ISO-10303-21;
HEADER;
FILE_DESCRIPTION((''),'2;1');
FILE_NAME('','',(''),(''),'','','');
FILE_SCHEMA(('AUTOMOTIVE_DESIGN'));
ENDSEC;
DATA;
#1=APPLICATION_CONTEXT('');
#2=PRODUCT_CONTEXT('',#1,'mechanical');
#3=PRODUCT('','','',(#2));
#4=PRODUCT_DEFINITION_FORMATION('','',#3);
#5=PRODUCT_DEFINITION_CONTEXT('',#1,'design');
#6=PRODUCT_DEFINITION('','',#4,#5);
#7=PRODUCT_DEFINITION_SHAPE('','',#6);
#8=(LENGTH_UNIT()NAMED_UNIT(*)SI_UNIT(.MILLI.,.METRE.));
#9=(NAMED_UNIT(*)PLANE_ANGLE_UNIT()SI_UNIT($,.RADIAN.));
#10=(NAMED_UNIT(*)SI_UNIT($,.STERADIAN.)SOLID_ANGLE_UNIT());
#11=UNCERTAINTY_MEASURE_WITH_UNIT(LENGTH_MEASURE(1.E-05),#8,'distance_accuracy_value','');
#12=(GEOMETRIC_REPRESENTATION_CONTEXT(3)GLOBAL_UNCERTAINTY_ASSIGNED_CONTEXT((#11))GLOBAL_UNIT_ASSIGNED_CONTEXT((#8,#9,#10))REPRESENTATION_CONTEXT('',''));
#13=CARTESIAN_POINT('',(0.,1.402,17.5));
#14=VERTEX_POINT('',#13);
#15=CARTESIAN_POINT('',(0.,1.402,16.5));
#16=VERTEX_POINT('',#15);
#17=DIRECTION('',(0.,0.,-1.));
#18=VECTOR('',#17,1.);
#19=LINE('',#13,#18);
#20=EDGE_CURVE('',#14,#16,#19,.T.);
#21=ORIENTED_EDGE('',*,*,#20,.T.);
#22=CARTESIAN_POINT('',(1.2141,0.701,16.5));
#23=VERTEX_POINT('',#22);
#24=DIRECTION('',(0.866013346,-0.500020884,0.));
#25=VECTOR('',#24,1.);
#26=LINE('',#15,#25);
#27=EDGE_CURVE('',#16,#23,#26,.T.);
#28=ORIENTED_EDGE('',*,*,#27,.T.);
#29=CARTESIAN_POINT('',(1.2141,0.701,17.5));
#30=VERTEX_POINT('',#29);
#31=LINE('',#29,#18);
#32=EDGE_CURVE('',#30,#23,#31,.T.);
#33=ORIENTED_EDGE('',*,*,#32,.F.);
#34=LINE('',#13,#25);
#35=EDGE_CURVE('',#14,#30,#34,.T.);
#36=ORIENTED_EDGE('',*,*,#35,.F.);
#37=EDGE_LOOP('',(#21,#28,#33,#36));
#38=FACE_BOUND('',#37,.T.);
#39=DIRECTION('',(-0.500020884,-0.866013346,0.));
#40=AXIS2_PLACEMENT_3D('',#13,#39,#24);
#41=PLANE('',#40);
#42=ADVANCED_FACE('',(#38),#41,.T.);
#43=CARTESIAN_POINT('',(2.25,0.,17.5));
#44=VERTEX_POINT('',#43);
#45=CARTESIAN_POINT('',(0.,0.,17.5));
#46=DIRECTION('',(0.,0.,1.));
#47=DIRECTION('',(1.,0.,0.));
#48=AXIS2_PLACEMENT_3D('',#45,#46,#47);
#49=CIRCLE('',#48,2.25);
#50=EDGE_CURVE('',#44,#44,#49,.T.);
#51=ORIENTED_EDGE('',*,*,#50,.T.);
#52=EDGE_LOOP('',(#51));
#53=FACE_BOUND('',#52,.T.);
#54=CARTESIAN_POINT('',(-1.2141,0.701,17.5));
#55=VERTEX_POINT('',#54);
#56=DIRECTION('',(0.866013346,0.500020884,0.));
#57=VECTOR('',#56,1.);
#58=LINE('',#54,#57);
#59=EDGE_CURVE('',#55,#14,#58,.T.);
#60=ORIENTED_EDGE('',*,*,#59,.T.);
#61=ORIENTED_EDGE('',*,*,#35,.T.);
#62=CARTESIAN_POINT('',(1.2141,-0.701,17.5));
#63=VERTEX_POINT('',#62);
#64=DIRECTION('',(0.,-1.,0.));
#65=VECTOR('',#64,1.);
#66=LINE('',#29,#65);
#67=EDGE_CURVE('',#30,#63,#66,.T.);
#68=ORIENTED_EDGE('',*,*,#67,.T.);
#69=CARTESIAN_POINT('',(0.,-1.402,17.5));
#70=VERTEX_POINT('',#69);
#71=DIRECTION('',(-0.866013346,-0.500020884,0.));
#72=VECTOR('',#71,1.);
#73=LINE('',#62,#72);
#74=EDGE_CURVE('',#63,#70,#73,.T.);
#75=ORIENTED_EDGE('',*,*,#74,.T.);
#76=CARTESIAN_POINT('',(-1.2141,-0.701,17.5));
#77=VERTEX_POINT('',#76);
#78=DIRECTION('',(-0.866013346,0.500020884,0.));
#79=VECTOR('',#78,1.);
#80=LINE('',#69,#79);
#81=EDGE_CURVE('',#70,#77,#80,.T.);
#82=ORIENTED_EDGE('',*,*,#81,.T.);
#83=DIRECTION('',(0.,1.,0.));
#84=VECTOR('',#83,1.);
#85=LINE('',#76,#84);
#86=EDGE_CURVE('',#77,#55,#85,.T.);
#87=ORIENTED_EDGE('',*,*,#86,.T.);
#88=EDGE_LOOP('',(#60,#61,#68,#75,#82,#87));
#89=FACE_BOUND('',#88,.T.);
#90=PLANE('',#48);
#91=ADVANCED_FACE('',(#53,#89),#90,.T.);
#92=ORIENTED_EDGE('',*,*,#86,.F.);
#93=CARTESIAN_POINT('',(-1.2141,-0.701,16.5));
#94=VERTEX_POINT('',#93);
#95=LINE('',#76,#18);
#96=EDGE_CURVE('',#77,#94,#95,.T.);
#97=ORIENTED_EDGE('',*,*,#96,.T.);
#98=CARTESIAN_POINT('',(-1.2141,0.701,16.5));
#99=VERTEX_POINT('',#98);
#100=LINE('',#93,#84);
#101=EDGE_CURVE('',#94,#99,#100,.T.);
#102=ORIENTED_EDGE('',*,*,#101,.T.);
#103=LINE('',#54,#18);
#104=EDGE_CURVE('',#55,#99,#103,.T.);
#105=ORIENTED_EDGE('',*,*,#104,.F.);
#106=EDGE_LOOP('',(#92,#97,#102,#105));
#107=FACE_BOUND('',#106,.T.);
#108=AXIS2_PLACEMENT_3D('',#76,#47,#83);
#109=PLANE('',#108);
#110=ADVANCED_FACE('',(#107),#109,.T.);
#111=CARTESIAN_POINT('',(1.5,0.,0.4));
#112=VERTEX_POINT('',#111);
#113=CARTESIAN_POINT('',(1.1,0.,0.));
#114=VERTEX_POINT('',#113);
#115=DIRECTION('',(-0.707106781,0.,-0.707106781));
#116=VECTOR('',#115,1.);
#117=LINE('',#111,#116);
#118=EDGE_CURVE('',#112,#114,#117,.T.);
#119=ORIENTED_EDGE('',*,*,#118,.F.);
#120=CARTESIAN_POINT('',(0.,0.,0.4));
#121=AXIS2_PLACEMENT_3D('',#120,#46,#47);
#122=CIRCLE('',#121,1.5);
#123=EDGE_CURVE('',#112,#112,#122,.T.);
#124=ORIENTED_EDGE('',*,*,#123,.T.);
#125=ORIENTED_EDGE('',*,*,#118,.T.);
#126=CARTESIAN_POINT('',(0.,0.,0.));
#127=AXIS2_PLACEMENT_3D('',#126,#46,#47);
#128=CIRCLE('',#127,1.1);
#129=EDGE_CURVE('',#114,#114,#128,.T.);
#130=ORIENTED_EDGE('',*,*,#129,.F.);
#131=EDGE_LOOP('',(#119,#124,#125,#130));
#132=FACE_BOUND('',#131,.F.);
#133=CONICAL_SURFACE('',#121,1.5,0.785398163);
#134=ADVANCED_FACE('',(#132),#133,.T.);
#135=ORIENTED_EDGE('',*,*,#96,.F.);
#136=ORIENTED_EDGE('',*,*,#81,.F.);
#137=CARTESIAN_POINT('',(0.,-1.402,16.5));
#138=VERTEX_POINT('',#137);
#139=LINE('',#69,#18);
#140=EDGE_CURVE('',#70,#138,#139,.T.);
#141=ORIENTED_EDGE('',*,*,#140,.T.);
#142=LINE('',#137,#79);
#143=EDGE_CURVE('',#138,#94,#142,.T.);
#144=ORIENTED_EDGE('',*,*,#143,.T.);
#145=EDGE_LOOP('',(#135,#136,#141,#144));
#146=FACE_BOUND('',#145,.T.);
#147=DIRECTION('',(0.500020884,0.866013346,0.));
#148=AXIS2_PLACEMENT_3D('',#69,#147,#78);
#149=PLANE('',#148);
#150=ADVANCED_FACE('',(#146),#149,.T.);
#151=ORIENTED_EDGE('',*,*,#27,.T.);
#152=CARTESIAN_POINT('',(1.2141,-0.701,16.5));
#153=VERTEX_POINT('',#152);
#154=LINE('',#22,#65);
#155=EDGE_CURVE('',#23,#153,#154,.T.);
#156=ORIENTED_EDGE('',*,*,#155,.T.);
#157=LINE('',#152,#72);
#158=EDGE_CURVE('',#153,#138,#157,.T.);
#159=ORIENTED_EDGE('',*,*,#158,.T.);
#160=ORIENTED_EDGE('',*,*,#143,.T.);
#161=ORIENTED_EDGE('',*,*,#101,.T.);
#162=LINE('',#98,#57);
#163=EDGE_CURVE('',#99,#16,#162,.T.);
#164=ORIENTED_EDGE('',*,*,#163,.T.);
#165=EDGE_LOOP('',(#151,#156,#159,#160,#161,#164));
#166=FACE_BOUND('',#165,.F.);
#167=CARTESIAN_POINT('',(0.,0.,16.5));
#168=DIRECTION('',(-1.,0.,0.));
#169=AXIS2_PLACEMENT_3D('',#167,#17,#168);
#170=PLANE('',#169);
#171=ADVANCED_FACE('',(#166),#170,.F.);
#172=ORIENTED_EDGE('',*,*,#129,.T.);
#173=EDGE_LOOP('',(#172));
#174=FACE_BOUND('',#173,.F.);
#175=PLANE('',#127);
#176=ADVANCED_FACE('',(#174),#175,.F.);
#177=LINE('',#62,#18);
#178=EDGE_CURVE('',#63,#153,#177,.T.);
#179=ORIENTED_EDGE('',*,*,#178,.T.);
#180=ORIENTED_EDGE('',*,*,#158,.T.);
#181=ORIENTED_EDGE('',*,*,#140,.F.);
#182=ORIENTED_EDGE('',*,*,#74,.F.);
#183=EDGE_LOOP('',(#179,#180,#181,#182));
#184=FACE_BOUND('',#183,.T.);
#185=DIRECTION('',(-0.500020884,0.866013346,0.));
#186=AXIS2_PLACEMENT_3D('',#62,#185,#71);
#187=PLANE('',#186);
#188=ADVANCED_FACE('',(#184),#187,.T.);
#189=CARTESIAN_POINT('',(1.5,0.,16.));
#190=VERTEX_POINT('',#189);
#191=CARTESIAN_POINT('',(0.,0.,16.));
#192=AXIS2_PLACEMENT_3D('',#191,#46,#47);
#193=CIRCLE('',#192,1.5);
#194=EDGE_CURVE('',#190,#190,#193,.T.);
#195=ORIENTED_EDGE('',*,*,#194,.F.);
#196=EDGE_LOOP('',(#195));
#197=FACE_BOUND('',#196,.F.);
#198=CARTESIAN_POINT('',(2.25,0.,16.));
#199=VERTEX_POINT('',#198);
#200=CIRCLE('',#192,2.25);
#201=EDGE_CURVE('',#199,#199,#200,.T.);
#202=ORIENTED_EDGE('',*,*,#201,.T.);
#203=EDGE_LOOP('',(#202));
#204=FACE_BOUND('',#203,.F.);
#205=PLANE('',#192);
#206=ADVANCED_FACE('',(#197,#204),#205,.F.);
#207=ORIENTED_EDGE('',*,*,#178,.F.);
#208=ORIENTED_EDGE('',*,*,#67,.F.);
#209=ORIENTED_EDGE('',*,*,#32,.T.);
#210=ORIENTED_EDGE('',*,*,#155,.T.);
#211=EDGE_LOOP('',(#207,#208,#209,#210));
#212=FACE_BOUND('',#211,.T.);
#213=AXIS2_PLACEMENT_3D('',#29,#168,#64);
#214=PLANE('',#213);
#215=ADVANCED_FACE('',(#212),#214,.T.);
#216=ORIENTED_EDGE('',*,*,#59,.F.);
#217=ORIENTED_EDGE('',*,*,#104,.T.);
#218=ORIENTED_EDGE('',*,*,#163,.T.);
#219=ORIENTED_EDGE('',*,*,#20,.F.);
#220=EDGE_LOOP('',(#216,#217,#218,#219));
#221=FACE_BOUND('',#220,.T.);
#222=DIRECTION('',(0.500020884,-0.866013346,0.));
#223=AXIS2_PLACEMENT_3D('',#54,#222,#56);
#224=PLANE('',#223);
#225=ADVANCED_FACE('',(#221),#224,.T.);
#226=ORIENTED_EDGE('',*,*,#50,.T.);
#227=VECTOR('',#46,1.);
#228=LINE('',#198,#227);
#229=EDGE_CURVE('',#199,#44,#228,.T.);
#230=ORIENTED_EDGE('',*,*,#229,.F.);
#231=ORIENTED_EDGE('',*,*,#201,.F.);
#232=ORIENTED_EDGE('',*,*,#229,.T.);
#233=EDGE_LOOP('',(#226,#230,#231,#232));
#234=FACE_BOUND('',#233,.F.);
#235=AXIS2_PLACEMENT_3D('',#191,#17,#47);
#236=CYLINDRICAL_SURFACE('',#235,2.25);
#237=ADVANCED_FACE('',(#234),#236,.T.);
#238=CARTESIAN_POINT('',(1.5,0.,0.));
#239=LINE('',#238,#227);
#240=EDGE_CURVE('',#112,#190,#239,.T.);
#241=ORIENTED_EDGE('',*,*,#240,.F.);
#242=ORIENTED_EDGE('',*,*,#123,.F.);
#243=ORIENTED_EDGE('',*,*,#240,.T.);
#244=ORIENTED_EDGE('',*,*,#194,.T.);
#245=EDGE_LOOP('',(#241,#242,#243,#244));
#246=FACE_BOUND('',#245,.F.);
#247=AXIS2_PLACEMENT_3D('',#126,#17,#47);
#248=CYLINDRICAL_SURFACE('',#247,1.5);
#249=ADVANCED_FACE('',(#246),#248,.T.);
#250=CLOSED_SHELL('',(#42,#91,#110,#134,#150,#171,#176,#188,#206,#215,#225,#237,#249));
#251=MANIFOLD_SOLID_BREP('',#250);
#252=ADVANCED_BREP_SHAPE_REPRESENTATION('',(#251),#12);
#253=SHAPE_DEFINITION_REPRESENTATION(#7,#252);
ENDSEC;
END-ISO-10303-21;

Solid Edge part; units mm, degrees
sketch "Sketch1" plane through (0, 0, 0) normal (0, 0, 1) x (1, 0, 0)
  circle A0 centre (0, 0) radius 1.5
extrude "Protrusion1" add sketch "Sketch1" along normal blind 16
sketch "Sketch2" plane through (0, 0, 16) normal (0, 0, 1) x (1, 0, 0)
  circle A0 centre (0, 0) radius 2.25
extrude "ProtrusiónExtruida_2" add sketch "Sketch2" along normal blind 1.5
sketch "Sketch3" plane through (0, 0, 17.5) normal (0, 0, 1) x (1, 0, 0)
  line L0 (0, 1.402) -> (1.2141, 0.701)
  line L1 (1.2141, 0.701) -> (1.2141, -0.701)
  line L2 (1.2141, -0.701) -> (0, -1.402)
  line L3 (0, -1.402) -> (-1.2141, -0.701)
  line L4 (-1.2141, -0.701) -> (-1.2141, 0.701)
  line L5 (-1.2141, 0.701) -> (0, 1.402)
extrude "VaciadoExtruido_1" cut sketch "Sketch3" against normal blind 1
chamfer "Chaflán_1" distance 0.4 angle 45 1 edges at (-1.5, 0, 0)
properties material "Acero inoxidable, 303"
